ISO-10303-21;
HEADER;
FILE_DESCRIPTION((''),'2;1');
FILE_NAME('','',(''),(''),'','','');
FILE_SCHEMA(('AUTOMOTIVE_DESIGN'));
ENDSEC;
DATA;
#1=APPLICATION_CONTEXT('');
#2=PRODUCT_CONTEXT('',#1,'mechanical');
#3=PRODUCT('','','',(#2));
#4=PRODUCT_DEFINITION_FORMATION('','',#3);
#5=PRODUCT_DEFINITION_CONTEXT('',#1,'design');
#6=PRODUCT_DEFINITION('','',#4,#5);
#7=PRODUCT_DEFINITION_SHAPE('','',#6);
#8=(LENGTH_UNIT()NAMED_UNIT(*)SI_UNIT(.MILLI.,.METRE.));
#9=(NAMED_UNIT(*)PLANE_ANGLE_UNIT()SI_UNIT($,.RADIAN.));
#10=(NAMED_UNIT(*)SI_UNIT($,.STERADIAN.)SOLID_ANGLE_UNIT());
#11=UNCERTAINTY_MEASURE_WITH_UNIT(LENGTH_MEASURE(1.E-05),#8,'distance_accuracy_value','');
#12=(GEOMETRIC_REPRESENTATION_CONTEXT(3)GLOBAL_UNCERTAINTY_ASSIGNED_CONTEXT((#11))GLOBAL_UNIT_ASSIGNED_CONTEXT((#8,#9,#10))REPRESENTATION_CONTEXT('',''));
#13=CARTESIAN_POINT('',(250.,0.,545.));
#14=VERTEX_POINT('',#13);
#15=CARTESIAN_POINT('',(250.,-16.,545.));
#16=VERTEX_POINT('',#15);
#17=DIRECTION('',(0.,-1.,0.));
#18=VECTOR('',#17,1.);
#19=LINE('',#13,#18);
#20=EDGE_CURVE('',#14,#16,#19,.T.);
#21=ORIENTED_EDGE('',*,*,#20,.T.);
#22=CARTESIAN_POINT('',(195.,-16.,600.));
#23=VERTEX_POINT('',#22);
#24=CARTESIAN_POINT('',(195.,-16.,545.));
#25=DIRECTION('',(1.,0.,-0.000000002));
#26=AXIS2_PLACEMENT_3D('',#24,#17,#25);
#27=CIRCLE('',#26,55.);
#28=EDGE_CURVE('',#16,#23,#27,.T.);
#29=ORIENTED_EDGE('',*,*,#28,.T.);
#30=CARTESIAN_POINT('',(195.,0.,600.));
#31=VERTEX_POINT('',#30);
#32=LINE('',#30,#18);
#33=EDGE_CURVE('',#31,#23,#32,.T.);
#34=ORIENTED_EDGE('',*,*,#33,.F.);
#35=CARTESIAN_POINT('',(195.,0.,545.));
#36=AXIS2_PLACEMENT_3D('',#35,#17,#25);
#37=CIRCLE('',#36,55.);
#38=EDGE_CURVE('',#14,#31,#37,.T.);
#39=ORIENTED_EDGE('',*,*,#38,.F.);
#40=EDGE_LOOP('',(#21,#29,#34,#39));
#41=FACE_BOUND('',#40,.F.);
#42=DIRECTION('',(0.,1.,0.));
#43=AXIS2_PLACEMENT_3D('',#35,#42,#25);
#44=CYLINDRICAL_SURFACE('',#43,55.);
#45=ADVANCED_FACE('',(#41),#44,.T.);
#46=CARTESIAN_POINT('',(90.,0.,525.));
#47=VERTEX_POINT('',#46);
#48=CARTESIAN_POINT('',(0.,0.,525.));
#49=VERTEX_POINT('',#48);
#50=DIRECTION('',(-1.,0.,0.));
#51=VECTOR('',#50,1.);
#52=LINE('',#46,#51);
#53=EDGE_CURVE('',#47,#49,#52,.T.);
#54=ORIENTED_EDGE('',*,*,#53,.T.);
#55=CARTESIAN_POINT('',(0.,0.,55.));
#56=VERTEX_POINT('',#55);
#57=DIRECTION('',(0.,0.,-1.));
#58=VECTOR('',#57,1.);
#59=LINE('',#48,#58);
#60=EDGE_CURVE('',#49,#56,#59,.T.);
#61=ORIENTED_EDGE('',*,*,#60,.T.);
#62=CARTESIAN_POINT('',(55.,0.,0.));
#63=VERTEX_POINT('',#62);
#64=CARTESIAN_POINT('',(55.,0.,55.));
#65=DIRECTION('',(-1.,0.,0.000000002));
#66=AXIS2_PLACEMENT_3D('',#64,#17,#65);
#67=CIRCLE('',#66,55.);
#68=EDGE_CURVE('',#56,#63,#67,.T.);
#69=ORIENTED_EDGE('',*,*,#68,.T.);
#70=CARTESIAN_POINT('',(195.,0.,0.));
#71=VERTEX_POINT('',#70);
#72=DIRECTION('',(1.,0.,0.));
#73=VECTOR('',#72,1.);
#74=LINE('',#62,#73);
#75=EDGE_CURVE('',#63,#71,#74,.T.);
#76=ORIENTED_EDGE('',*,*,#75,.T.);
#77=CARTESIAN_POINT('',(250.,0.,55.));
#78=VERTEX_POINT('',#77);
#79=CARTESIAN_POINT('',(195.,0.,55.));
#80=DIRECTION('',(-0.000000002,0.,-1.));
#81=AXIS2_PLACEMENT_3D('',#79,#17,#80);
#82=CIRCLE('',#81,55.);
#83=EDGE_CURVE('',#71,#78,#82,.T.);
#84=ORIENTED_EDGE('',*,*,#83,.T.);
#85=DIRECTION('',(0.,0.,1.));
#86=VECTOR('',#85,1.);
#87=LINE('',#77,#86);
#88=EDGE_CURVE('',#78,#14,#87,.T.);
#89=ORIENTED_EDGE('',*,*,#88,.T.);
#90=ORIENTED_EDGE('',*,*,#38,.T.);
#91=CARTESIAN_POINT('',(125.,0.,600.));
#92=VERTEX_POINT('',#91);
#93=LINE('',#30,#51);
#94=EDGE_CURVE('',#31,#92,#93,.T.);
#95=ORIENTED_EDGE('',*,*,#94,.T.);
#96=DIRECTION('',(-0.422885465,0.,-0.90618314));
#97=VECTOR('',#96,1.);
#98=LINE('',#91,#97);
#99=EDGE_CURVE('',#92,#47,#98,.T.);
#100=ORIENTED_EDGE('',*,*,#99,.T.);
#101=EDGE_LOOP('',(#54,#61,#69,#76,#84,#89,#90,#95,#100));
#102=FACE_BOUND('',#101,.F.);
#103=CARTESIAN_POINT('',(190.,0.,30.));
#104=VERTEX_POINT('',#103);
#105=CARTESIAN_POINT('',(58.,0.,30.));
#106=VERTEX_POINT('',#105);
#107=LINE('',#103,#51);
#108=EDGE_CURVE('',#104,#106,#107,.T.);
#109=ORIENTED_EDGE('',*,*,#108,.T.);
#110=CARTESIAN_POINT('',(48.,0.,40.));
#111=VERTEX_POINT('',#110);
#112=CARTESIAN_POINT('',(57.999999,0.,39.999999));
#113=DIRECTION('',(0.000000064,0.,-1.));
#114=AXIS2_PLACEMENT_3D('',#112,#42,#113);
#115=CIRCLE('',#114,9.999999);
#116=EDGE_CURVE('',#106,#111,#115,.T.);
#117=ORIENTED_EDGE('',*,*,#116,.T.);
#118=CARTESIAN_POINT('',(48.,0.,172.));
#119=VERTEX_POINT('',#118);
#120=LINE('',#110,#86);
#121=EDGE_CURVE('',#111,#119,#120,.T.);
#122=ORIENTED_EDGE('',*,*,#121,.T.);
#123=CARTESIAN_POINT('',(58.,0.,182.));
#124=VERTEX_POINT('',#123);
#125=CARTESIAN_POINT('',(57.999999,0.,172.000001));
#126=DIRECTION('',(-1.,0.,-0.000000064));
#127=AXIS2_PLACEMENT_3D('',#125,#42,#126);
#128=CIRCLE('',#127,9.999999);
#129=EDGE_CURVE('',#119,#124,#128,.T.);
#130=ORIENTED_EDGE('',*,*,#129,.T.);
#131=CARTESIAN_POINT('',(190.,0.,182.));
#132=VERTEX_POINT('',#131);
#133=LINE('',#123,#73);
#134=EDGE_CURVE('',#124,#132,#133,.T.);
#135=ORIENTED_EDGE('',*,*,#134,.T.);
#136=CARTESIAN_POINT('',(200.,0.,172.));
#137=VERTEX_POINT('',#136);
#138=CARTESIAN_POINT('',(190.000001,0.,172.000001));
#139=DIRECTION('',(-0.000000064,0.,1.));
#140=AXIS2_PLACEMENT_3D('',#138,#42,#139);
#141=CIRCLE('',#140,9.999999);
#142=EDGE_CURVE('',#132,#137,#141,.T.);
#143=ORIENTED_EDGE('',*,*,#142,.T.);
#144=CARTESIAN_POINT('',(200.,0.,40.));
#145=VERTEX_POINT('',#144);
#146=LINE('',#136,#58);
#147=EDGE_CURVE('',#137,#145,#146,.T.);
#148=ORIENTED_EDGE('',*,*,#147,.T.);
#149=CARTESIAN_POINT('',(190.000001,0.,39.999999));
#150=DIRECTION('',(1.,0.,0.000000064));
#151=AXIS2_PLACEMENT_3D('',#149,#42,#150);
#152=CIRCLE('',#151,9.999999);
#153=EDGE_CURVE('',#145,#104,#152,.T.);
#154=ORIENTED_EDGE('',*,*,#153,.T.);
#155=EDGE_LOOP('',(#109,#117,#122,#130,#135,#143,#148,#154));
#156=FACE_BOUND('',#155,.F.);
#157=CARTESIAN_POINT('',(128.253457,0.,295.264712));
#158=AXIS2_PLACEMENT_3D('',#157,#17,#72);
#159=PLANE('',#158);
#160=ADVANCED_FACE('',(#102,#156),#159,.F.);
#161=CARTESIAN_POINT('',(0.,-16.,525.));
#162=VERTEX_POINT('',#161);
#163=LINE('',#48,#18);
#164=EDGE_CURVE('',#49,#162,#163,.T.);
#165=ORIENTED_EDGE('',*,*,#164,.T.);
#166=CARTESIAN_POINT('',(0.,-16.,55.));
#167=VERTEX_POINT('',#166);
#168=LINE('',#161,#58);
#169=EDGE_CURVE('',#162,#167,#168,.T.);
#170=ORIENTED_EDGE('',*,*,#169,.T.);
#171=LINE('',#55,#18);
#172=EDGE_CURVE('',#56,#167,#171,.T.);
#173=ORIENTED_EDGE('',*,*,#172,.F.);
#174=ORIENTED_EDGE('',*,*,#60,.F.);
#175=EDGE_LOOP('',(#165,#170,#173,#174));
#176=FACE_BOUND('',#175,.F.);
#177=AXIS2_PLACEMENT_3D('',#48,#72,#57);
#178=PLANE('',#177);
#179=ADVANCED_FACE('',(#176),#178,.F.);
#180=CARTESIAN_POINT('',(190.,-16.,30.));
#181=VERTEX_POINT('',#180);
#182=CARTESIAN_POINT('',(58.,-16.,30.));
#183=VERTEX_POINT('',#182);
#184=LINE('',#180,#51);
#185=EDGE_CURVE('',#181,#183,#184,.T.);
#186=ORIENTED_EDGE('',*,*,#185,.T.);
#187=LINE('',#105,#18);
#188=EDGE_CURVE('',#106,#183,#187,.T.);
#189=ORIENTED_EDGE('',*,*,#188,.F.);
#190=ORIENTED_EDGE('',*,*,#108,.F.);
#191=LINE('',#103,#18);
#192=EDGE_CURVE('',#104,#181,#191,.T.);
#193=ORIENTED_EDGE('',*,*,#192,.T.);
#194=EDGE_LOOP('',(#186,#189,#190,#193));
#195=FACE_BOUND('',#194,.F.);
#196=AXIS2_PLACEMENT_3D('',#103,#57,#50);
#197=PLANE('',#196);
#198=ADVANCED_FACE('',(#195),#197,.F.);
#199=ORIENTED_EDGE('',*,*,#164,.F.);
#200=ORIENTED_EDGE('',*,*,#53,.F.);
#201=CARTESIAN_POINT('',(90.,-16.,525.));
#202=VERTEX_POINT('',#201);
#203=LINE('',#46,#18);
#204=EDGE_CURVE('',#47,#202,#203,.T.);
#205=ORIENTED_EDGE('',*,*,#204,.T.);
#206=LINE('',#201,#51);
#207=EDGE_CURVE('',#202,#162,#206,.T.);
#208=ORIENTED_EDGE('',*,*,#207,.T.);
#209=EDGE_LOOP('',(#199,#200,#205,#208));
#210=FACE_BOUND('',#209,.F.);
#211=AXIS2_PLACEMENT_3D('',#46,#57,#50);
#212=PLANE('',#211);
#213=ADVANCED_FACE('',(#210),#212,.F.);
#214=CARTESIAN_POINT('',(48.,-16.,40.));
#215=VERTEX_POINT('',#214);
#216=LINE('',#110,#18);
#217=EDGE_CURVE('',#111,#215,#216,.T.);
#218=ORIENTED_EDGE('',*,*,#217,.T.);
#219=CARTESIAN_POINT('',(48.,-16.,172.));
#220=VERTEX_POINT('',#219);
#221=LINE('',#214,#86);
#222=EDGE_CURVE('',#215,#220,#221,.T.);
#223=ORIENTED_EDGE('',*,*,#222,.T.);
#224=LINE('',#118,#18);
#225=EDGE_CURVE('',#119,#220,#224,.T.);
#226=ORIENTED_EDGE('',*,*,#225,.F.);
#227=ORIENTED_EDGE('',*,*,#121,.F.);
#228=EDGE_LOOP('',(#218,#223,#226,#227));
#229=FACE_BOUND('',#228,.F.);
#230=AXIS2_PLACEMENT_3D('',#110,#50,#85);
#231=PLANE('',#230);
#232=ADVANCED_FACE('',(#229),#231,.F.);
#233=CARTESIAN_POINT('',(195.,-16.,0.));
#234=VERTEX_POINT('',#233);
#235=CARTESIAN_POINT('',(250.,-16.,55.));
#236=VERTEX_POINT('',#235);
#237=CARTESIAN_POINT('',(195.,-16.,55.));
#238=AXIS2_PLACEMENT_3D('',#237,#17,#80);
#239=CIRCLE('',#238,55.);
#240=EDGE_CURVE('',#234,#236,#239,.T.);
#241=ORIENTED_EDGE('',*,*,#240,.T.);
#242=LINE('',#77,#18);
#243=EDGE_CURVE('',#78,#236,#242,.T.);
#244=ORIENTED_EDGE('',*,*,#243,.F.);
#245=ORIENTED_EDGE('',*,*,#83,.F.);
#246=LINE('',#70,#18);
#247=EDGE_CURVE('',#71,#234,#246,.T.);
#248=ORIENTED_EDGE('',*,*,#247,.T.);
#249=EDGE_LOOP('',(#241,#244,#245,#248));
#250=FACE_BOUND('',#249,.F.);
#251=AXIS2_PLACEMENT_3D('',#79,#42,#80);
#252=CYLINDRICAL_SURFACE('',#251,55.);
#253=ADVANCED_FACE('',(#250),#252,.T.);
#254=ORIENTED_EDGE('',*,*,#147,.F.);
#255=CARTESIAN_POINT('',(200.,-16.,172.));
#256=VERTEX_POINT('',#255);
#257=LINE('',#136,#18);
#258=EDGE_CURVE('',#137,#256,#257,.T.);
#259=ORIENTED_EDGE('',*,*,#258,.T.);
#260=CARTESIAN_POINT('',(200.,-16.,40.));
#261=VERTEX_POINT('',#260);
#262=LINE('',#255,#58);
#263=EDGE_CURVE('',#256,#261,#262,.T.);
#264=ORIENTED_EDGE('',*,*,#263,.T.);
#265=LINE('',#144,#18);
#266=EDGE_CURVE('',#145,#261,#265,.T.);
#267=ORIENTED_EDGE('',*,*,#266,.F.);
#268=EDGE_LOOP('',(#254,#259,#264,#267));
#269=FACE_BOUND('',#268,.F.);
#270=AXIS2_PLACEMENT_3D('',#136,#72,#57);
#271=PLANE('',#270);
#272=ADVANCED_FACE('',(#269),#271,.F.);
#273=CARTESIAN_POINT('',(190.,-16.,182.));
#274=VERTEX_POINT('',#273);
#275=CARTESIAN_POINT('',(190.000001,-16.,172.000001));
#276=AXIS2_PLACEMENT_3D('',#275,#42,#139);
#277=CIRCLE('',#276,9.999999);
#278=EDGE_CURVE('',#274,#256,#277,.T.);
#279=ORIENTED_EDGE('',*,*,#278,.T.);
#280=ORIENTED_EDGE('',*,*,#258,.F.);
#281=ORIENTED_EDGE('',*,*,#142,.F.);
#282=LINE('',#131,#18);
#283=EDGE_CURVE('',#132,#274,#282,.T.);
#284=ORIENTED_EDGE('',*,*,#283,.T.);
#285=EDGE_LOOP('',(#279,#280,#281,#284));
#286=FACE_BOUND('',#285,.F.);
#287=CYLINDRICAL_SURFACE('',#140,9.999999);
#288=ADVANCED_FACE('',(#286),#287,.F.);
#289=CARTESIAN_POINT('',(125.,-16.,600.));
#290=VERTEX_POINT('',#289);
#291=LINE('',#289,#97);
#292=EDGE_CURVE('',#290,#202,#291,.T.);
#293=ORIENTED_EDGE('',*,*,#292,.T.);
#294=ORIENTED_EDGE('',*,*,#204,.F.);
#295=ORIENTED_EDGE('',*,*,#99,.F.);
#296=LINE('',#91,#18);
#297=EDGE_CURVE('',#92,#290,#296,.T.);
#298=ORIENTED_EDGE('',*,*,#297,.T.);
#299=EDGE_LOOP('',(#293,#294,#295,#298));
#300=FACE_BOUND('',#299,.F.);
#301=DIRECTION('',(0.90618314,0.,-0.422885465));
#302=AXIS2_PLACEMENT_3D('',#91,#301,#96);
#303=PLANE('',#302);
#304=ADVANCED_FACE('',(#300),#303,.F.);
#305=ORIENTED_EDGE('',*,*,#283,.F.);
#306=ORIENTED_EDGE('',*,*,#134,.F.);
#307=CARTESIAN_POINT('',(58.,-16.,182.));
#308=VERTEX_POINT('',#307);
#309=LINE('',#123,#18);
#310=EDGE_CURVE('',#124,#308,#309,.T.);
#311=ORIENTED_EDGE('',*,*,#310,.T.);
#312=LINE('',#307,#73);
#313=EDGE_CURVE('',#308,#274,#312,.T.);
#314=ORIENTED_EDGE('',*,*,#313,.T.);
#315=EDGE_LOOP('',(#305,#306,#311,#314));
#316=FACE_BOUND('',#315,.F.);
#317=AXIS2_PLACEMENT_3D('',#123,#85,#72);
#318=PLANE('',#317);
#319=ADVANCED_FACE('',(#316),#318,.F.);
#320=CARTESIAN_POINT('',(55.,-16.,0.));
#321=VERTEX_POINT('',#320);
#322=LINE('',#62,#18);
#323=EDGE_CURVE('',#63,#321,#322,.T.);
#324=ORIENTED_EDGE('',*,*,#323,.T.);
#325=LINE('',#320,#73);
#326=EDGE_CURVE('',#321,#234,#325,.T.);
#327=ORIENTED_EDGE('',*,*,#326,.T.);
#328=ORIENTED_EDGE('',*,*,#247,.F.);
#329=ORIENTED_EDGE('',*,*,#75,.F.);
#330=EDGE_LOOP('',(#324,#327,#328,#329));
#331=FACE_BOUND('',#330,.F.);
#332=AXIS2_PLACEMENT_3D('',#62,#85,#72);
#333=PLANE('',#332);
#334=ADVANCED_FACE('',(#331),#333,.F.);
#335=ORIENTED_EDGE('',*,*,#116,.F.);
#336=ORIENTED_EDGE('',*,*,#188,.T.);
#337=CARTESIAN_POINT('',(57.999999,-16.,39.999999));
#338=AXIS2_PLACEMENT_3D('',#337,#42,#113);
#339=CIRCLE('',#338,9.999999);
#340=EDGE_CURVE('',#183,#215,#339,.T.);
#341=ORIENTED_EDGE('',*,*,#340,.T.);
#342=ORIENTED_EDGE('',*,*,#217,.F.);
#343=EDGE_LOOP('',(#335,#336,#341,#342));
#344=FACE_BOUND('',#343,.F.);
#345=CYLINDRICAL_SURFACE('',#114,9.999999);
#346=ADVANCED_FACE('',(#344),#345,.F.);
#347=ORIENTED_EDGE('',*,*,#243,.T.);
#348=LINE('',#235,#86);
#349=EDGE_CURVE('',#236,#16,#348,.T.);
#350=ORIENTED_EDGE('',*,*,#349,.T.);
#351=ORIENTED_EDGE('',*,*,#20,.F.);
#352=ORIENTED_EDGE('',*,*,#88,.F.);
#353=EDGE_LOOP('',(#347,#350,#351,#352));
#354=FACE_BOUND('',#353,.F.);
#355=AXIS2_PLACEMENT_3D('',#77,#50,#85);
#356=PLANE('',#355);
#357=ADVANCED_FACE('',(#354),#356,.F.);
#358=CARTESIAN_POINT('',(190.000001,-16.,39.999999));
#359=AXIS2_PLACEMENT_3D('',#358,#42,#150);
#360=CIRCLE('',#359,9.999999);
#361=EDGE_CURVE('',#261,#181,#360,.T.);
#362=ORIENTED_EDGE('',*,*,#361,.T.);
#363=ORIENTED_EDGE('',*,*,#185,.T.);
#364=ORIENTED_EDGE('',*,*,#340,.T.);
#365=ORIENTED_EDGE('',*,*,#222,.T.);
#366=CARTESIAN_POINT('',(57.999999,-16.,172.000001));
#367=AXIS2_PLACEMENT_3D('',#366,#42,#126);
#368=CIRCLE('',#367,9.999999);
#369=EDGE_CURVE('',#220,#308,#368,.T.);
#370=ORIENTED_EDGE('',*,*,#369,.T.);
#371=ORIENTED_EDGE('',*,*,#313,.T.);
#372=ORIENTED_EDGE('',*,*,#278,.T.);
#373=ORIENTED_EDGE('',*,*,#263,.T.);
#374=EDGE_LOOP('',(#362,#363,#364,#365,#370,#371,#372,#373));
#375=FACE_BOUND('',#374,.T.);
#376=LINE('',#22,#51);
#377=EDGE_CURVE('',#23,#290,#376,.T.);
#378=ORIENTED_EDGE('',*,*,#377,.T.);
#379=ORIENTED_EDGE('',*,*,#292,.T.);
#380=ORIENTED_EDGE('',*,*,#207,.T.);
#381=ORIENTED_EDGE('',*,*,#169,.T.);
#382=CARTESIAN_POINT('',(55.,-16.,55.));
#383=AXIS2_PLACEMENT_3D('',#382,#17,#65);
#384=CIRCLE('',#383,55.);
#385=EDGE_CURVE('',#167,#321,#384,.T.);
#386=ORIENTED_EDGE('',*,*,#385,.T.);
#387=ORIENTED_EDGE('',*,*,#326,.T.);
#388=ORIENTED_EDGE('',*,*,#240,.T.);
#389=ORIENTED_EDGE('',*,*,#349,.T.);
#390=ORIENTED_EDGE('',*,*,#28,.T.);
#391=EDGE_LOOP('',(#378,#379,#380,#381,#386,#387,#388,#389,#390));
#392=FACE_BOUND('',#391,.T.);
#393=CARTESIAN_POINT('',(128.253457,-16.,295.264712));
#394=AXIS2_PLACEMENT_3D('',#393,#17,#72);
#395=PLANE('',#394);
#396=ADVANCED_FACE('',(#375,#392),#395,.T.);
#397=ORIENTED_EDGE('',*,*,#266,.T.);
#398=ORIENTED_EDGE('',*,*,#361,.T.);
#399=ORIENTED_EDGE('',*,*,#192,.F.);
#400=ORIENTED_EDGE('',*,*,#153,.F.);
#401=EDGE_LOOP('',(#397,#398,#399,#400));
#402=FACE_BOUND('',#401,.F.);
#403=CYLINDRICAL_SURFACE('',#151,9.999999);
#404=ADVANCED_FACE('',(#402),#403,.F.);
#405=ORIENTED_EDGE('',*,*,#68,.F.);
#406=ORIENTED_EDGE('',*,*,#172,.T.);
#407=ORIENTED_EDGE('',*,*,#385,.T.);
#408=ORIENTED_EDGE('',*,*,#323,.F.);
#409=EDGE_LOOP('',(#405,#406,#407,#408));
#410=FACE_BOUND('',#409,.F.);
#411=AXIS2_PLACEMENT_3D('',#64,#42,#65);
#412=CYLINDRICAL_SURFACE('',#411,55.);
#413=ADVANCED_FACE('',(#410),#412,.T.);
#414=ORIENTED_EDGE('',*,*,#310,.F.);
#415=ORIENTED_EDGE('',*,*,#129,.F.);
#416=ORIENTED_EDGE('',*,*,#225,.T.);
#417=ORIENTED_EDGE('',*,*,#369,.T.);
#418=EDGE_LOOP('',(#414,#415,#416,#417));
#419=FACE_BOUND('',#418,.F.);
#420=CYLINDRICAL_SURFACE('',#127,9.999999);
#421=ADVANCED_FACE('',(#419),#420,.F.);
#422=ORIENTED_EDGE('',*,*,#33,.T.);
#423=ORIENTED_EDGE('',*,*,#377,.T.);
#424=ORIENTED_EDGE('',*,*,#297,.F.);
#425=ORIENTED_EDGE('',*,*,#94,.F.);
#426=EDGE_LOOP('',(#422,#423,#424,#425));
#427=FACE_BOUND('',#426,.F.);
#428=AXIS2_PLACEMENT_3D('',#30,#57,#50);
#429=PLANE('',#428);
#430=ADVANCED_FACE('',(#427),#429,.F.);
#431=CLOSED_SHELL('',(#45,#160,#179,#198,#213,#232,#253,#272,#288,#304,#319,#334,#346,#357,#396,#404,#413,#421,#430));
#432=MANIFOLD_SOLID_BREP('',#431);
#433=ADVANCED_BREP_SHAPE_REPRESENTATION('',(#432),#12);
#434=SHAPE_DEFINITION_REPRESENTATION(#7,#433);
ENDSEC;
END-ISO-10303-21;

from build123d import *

# Parameters (mm, degrees)
F1_DEPTH = 16


with BuildPart() as f1:
    # F0 (on Front) → F1 (new body)
    with BuildSketch(Plane.XZ):
        with BuildLine():
            ThreePointArc((0, 55), (16.109127, 16.109127), (55, 0))
            Line((55, 0), (195, 0))
            ThreePointArc((195, 0), (233.890873, 16.109127), (250, 55))
            Line((250, 55), (250, 545))
            ThreePointArc((250, 545), (233.890873, 583.890873), (195, 600))
            Line((195, 600), (125, 600))
            Line((125, 600), (90, 525))
            Line((90, 525), (0, 525))
            Line((0, 525), (0, 55))
        make_face()
        with BuildLine():
            ThreePointArc((48, 172), (50.928932, 179.071068), (58, 182))
            Line((58, 182), (190, 182))
            ThreePointArc((190, 182), (197.071068, 179.071068), (200, 172))
            Line((200, 172), (200, 40))
            ThreePointArc((200, 40), (197.071068, 32.928932), (190, 30))
            Line((190, 30), (58, 30))
            ThreePointArc((58, 30), (50.928932, 32.928932), (48, 40))
            Line((48, 40), (48, 172))
        make_face(mode=Mode.SUBTRACT)
    extrude(amount=F1_DEPTH)


solid = f1.part
